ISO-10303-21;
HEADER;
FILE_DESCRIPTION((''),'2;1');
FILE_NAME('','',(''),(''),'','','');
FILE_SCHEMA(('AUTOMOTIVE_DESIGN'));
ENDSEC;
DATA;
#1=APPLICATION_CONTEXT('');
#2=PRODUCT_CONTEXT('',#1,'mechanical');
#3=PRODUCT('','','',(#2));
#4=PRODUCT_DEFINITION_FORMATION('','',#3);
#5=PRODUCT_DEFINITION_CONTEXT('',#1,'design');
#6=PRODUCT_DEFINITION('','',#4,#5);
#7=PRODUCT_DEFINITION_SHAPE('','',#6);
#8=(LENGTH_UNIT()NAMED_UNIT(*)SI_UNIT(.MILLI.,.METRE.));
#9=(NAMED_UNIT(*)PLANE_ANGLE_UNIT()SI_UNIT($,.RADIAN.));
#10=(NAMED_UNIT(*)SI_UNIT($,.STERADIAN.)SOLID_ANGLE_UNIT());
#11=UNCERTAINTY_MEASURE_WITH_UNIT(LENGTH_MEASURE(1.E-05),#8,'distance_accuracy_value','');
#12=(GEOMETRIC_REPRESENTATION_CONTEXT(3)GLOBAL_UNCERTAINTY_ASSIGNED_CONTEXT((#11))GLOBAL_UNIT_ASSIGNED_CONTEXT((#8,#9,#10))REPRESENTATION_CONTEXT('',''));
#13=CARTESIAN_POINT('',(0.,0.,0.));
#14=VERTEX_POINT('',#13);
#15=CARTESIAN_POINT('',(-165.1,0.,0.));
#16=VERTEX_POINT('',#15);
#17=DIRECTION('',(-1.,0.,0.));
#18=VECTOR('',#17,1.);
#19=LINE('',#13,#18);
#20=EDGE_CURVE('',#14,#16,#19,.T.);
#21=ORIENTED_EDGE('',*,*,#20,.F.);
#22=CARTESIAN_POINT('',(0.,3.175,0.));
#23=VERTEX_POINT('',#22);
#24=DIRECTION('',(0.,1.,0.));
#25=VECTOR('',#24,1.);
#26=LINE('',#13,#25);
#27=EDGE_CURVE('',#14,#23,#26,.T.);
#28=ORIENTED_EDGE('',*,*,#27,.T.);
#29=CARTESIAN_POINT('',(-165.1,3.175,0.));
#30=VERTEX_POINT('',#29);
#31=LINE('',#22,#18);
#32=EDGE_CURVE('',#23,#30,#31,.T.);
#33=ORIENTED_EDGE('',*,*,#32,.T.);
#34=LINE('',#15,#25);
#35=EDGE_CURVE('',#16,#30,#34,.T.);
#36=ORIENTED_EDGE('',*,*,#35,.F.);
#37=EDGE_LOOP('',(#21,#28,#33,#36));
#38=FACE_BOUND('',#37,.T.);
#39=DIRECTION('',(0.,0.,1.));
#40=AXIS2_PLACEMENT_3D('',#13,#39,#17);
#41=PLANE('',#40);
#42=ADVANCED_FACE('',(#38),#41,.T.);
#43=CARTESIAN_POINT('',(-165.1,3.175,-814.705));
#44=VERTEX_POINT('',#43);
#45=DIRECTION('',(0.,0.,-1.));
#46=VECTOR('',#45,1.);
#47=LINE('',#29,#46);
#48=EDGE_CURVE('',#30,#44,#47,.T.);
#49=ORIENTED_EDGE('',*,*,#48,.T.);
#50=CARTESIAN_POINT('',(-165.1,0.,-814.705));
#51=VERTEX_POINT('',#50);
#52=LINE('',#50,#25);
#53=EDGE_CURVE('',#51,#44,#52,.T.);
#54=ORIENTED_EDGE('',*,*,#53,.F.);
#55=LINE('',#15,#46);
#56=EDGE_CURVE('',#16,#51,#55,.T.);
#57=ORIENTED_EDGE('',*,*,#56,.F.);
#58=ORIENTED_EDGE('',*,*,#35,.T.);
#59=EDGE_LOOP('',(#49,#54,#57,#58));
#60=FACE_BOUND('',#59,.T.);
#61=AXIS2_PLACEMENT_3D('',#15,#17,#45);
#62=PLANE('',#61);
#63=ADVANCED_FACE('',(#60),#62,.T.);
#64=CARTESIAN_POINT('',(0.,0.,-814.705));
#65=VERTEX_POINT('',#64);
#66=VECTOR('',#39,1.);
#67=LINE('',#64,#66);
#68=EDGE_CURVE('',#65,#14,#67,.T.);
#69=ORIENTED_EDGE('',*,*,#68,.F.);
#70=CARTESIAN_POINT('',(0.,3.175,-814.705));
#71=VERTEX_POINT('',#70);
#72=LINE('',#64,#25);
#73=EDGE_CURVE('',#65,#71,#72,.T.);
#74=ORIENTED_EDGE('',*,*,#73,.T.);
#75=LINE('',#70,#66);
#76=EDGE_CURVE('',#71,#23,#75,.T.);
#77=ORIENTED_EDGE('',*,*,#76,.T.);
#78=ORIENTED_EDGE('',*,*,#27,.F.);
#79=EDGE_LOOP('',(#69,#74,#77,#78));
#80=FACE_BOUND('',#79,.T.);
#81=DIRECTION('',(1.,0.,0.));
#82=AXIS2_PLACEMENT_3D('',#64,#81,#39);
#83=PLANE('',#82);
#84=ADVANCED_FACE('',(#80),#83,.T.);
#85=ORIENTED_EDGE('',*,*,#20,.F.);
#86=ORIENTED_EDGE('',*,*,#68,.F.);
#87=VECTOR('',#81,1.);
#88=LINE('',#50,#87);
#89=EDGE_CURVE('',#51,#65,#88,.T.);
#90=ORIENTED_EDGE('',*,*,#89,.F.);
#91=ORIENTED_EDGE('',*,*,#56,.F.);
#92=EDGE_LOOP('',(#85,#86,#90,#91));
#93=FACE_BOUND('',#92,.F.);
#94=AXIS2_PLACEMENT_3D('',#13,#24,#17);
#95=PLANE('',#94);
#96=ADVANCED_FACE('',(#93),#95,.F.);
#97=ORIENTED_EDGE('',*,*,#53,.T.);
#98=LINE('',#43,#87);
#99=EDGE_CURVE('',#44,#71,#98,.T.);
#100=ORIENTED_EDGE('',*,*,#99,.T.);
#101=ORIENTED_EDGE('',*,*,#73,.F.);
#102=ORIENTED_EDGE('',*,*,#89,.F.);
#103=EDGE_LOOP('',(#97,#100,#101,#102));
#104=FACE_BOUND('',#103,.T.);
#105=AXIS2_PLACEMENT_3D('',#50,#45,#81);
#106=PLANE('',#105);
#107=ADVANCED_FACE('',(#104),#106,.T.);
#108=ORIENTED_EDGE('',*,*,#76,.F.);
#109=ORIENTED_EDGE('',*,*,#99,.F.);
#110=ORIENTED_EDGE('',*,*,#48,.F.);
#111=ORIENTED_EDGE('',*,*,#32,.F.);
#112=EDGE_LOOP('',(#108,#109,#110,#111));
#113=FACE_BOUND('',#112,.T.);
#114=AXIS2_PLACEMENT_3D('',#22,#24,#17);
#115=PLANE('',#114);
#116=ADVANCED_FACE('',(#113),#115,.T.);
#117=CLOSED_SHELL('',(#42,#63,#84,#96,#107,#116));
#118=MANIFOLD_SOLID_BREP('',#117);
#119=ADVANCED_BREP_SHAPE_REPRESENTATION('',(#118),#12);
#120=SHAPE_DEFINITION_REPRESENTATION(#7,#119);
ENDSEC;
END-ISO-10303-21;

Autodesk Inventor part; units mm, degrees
ref_plane "YZ Plane" through (0, 0, 0) normal (1, 0, 0) x (0, 1, 0)
ref_plane "XZ Plane" through (0, 0, 0) normal (0, 1, 0) x (-1, 0, 0)
ref_plane "XY Plane" through (0, 0, 0) normal (0, 0, 1) x (1, 0, 0)
sketch "Sketch1" plane through (0, 0, 0) normal (0, 1, 0) x (-1, 0, 0)
  line L0 (0, 0) -> (165.1, 0)
  line L1 (165.1, 0) -> (165.1, -814.705)
  line L2 (165.1, -814.705) -> (0, -814.705)
  line L3 (0, -814.705) -> (0, 0)
  dimension "d0" = 165.1
  dimension "d1" = 814.705
extrude "Extrusion1" add sketch "Sketch1" along normal blind 3.175
properties part number "Starter_Shingle_With_Dimensions_6.5_x_30.389_Inches"
